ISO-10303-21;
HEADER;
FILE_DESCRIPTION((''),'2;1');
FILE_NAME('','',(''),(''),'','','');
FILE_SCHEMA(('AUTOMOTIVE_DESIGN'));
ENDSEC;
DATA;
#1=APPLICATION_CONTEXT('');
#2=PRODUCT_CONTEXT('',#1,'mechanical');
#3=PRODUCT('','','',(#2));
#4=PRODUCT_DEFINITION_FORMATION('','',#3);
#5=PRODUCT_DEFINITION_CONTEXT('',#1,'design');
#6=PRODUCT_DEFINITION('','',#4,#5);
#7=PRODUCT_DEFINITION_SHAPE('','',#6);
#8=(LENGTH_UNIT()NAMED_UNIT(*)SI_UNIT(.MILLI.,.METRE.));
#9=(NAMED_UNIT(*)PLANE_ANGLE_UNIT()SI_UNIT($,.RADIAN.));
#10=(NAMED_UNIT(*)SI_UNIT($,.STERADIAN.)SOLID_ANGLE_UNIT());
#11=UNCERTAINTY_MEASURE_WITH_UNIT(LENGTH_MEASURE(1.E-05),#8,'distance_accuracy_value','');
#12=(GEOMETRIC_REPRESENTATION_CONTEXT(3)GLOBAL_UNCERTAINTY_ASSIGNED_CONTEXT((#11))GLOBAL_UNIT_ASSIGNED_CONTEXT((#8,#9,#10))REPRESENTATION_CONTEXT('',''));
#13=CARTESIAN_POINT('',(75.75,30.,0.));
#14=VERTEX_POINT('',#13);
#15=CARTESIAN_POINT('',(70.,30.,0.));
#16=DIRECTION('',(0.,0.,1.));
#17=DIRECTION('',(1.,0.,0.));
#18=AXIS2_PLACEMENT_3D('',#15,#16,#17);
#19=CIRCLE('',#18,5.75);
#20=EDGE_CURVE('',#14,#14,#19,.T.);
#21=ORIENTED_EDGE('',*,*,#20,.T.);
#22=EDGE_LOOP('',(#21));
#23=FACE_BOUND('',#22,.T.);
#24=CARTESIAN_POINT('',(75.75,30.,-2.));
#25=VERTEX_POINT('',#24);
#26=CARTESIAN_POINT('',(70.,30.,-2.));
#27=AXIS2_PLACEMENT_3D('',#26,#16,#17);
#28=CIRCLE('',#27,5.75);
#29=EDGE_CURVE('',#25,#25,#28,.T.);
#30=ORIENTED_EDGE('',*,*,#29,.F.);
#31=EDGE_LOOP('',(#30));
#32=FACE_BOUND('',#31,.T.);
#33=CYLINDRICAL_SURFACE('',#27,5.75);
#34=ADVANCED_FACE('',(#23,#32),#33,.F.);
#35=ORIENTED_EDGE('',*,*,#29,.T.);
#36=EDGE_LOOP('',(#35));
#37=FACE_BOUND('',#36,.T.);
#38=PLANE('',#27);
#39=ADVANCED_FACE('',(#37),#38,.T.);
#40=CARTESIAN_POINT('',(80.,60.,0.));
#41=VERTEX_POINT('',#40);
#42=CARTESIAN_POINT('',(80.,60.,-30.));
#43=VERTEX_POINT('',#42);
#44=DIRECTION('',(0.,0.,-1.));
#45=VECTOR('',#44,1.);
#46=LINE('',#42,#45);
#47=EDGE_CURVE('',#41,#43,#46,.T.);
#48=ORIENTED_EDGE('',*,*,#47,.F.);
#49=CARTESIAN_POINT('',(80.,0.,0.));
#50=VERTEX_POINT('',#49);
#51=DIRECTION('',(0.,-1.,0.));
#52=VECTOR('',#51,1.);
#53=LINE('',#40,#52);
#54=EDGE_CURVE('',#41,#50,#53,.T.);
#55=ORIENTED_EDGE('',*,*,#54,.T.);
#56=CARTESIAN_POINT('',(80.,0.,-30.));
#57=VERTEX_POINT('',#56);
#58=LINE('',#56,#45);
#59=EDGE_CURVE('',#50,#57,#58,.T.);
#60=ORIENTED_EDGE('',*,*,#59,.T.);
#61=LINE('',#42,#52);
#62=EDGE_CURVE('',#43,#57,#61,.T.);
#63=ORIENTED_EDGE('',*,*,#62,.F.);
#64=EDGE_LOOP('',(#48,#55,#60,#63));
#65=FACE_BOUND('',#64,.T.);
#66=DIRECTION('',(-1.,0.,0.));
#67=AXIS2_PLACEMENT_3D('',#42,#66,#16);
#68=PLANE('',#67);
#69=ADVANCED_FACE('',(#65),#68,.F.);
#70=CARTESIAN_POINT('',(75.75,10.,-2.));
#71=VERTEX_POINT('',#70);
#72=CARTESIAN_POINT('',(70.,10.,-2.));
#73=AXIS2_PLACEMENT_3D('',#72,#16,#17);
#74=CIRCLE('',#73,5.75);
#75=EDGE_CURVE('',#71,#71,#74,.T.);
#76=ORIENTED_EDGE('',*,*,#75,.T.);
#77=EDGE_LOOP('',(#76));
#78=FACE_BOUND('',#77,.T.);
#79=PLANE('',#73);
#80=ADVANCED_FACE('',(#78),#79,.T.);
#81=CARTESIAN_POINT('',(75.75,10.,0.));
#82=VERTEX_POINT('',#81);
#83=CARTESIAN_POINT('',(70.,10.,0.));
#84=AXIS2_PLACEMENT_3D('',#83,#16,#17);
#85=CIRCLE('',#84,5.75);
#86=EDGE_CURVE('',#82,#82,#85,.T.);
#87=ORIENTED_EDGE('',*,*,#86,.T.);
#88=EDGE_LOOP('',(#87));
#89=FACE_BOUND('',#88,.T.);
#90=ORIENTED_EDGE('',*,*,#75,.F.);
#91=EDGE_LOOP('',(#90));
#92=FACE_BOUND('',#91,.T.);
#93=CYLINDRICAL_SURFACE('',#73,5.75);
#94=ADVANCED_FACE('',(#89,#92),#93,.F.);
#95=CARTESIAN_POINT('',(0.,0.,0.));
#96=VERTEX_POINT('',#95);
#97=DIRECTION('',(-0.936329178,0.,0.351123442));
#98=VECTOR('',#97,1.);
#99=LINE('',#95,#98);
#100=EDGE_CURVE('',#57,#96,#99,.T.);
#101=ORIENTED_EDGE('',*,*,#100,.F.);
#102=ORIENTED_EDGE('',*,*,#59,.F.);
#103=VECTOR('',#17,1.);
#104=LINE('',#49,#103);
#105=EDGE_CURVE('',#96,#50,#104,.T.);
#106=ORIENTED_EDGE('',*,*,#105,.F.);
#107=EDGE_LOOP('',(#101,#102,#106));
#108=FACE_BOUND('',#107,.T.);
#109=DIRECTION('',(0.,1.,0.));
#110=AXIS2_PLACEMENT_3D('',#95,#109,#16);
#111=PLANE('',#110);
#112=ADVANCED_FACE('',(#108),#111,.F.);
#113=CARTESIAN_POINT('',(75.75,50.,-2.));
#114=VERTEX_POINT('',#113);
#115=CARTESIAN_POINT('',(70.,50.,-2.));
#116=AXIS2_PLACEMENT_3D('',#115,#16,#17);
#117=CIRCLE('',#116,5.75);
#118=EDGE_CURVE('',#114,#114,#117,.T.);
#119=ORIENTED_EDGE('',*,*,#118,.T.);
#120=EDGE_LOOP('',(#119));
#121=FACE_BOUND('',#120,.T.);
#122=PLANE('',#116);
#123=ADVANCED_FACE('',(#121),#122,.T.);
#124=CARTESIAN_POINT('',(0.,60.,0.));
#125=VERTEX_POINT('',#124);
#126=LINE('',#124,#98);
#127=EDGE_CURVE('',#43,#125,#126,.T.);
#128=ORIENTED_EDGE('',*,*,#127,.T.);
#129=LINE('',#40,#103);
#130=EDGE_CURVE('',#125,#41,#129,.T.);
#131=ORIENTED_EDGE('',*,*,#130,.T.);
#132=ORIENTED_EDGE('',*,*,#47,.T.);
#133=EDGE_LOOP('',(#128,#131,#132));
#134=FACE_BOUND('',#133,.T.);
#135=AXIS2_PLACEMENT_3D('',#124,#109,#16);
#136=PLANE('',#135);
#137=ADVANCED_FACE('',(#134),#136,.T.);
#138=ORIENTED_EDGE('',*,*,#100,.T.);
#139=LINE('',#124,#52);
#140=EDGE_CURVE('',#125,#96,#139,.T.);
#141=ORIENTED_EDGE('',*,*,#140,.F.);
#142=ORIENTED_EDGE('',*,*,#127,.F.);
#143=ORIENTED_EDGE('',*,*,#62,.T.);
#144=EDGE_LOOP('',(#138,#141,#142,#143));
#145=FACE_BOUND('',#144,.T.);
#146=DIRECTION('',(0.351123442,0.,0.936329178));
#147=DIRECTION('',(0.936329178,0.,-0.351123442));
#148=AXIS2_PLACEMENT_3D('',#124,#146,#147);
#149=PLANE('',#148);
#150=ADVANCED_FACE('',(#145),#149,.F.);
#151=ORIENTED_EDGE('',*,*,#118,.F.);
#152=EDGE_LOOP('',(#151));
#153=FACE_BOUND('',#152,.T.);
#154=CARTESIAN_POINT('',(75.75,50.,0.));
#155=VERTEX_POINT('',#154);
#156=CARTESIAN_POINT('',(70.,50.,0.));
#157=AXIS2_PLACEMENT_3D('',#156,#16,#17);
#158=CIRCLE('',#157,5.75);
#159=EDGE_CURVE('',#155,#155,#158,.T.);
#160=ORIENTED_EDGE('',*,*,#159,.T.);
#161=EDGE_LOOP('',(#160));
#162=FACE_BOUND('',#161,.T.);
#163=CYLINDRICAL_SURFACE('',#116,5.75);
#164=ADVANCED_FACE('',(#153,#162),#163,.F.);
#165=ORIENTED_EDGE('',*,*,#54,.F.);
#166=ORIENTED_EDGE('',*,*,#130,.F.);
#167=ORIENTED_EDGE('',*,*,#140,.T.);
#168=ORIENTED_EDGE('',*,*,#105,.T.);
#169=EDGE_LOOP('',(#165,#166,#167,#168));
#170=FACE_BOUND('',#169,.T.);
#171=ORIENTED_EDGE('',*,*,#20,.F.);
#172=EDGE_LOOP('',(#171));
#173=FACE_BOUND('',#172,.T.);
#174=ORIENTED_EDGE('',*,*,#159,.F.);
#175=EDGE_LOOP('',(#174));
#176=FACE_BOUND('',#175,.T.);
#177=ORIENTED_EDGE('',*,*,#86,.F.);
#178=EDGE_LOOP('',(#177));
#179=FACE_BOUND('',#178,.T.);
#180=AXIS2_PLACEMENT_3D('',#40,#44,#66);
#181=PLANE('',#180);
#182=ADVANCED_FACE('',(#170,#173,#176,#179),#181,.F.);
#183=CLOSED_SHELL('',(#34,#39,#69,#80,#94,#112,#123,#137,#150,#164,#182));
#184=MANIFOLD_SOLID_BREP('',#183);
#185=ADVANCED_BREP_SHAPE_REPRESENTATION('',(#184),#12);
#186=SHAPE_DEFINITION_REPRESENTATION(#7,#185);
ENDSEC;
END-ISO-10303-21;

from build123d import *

# Parameters (mm, degrees)
EXTRUDE_1_DEPTH     = 60
SKETCH_2_R          = 5.75
CUT_EXTRUDE_1_DEPTH = 2


with BuildPart() as part:
    # 草图1 → 凸台-拉伸1 (new body)
    with BuildSketch(Plane(origin=(0, 0, 0), x_dir=(1, 0, 0), z_dir=(0, 1, 0))):
        Polygon((0, 0), (80, 30), (80, 0), align=None)
    extrude(amount=EXTRUDE_1_DEPTH)

    # 草图2 → 切除-拉伸1 (cut)
    with BuildSketch(Plane.XY):
        with Locations((70, 50)):
            Circle(SKETCH_2_R)
        with Locations((70, 30)):
            Circle(SKETCH_2_R)
        with Locations((70, 10)):
            Circle(SKETCH_2_R)
    extrude(amount=-CUT_EXTRUDE_1_DEPTH, mode=Mode.SUBTRACT)


solid = part.part
